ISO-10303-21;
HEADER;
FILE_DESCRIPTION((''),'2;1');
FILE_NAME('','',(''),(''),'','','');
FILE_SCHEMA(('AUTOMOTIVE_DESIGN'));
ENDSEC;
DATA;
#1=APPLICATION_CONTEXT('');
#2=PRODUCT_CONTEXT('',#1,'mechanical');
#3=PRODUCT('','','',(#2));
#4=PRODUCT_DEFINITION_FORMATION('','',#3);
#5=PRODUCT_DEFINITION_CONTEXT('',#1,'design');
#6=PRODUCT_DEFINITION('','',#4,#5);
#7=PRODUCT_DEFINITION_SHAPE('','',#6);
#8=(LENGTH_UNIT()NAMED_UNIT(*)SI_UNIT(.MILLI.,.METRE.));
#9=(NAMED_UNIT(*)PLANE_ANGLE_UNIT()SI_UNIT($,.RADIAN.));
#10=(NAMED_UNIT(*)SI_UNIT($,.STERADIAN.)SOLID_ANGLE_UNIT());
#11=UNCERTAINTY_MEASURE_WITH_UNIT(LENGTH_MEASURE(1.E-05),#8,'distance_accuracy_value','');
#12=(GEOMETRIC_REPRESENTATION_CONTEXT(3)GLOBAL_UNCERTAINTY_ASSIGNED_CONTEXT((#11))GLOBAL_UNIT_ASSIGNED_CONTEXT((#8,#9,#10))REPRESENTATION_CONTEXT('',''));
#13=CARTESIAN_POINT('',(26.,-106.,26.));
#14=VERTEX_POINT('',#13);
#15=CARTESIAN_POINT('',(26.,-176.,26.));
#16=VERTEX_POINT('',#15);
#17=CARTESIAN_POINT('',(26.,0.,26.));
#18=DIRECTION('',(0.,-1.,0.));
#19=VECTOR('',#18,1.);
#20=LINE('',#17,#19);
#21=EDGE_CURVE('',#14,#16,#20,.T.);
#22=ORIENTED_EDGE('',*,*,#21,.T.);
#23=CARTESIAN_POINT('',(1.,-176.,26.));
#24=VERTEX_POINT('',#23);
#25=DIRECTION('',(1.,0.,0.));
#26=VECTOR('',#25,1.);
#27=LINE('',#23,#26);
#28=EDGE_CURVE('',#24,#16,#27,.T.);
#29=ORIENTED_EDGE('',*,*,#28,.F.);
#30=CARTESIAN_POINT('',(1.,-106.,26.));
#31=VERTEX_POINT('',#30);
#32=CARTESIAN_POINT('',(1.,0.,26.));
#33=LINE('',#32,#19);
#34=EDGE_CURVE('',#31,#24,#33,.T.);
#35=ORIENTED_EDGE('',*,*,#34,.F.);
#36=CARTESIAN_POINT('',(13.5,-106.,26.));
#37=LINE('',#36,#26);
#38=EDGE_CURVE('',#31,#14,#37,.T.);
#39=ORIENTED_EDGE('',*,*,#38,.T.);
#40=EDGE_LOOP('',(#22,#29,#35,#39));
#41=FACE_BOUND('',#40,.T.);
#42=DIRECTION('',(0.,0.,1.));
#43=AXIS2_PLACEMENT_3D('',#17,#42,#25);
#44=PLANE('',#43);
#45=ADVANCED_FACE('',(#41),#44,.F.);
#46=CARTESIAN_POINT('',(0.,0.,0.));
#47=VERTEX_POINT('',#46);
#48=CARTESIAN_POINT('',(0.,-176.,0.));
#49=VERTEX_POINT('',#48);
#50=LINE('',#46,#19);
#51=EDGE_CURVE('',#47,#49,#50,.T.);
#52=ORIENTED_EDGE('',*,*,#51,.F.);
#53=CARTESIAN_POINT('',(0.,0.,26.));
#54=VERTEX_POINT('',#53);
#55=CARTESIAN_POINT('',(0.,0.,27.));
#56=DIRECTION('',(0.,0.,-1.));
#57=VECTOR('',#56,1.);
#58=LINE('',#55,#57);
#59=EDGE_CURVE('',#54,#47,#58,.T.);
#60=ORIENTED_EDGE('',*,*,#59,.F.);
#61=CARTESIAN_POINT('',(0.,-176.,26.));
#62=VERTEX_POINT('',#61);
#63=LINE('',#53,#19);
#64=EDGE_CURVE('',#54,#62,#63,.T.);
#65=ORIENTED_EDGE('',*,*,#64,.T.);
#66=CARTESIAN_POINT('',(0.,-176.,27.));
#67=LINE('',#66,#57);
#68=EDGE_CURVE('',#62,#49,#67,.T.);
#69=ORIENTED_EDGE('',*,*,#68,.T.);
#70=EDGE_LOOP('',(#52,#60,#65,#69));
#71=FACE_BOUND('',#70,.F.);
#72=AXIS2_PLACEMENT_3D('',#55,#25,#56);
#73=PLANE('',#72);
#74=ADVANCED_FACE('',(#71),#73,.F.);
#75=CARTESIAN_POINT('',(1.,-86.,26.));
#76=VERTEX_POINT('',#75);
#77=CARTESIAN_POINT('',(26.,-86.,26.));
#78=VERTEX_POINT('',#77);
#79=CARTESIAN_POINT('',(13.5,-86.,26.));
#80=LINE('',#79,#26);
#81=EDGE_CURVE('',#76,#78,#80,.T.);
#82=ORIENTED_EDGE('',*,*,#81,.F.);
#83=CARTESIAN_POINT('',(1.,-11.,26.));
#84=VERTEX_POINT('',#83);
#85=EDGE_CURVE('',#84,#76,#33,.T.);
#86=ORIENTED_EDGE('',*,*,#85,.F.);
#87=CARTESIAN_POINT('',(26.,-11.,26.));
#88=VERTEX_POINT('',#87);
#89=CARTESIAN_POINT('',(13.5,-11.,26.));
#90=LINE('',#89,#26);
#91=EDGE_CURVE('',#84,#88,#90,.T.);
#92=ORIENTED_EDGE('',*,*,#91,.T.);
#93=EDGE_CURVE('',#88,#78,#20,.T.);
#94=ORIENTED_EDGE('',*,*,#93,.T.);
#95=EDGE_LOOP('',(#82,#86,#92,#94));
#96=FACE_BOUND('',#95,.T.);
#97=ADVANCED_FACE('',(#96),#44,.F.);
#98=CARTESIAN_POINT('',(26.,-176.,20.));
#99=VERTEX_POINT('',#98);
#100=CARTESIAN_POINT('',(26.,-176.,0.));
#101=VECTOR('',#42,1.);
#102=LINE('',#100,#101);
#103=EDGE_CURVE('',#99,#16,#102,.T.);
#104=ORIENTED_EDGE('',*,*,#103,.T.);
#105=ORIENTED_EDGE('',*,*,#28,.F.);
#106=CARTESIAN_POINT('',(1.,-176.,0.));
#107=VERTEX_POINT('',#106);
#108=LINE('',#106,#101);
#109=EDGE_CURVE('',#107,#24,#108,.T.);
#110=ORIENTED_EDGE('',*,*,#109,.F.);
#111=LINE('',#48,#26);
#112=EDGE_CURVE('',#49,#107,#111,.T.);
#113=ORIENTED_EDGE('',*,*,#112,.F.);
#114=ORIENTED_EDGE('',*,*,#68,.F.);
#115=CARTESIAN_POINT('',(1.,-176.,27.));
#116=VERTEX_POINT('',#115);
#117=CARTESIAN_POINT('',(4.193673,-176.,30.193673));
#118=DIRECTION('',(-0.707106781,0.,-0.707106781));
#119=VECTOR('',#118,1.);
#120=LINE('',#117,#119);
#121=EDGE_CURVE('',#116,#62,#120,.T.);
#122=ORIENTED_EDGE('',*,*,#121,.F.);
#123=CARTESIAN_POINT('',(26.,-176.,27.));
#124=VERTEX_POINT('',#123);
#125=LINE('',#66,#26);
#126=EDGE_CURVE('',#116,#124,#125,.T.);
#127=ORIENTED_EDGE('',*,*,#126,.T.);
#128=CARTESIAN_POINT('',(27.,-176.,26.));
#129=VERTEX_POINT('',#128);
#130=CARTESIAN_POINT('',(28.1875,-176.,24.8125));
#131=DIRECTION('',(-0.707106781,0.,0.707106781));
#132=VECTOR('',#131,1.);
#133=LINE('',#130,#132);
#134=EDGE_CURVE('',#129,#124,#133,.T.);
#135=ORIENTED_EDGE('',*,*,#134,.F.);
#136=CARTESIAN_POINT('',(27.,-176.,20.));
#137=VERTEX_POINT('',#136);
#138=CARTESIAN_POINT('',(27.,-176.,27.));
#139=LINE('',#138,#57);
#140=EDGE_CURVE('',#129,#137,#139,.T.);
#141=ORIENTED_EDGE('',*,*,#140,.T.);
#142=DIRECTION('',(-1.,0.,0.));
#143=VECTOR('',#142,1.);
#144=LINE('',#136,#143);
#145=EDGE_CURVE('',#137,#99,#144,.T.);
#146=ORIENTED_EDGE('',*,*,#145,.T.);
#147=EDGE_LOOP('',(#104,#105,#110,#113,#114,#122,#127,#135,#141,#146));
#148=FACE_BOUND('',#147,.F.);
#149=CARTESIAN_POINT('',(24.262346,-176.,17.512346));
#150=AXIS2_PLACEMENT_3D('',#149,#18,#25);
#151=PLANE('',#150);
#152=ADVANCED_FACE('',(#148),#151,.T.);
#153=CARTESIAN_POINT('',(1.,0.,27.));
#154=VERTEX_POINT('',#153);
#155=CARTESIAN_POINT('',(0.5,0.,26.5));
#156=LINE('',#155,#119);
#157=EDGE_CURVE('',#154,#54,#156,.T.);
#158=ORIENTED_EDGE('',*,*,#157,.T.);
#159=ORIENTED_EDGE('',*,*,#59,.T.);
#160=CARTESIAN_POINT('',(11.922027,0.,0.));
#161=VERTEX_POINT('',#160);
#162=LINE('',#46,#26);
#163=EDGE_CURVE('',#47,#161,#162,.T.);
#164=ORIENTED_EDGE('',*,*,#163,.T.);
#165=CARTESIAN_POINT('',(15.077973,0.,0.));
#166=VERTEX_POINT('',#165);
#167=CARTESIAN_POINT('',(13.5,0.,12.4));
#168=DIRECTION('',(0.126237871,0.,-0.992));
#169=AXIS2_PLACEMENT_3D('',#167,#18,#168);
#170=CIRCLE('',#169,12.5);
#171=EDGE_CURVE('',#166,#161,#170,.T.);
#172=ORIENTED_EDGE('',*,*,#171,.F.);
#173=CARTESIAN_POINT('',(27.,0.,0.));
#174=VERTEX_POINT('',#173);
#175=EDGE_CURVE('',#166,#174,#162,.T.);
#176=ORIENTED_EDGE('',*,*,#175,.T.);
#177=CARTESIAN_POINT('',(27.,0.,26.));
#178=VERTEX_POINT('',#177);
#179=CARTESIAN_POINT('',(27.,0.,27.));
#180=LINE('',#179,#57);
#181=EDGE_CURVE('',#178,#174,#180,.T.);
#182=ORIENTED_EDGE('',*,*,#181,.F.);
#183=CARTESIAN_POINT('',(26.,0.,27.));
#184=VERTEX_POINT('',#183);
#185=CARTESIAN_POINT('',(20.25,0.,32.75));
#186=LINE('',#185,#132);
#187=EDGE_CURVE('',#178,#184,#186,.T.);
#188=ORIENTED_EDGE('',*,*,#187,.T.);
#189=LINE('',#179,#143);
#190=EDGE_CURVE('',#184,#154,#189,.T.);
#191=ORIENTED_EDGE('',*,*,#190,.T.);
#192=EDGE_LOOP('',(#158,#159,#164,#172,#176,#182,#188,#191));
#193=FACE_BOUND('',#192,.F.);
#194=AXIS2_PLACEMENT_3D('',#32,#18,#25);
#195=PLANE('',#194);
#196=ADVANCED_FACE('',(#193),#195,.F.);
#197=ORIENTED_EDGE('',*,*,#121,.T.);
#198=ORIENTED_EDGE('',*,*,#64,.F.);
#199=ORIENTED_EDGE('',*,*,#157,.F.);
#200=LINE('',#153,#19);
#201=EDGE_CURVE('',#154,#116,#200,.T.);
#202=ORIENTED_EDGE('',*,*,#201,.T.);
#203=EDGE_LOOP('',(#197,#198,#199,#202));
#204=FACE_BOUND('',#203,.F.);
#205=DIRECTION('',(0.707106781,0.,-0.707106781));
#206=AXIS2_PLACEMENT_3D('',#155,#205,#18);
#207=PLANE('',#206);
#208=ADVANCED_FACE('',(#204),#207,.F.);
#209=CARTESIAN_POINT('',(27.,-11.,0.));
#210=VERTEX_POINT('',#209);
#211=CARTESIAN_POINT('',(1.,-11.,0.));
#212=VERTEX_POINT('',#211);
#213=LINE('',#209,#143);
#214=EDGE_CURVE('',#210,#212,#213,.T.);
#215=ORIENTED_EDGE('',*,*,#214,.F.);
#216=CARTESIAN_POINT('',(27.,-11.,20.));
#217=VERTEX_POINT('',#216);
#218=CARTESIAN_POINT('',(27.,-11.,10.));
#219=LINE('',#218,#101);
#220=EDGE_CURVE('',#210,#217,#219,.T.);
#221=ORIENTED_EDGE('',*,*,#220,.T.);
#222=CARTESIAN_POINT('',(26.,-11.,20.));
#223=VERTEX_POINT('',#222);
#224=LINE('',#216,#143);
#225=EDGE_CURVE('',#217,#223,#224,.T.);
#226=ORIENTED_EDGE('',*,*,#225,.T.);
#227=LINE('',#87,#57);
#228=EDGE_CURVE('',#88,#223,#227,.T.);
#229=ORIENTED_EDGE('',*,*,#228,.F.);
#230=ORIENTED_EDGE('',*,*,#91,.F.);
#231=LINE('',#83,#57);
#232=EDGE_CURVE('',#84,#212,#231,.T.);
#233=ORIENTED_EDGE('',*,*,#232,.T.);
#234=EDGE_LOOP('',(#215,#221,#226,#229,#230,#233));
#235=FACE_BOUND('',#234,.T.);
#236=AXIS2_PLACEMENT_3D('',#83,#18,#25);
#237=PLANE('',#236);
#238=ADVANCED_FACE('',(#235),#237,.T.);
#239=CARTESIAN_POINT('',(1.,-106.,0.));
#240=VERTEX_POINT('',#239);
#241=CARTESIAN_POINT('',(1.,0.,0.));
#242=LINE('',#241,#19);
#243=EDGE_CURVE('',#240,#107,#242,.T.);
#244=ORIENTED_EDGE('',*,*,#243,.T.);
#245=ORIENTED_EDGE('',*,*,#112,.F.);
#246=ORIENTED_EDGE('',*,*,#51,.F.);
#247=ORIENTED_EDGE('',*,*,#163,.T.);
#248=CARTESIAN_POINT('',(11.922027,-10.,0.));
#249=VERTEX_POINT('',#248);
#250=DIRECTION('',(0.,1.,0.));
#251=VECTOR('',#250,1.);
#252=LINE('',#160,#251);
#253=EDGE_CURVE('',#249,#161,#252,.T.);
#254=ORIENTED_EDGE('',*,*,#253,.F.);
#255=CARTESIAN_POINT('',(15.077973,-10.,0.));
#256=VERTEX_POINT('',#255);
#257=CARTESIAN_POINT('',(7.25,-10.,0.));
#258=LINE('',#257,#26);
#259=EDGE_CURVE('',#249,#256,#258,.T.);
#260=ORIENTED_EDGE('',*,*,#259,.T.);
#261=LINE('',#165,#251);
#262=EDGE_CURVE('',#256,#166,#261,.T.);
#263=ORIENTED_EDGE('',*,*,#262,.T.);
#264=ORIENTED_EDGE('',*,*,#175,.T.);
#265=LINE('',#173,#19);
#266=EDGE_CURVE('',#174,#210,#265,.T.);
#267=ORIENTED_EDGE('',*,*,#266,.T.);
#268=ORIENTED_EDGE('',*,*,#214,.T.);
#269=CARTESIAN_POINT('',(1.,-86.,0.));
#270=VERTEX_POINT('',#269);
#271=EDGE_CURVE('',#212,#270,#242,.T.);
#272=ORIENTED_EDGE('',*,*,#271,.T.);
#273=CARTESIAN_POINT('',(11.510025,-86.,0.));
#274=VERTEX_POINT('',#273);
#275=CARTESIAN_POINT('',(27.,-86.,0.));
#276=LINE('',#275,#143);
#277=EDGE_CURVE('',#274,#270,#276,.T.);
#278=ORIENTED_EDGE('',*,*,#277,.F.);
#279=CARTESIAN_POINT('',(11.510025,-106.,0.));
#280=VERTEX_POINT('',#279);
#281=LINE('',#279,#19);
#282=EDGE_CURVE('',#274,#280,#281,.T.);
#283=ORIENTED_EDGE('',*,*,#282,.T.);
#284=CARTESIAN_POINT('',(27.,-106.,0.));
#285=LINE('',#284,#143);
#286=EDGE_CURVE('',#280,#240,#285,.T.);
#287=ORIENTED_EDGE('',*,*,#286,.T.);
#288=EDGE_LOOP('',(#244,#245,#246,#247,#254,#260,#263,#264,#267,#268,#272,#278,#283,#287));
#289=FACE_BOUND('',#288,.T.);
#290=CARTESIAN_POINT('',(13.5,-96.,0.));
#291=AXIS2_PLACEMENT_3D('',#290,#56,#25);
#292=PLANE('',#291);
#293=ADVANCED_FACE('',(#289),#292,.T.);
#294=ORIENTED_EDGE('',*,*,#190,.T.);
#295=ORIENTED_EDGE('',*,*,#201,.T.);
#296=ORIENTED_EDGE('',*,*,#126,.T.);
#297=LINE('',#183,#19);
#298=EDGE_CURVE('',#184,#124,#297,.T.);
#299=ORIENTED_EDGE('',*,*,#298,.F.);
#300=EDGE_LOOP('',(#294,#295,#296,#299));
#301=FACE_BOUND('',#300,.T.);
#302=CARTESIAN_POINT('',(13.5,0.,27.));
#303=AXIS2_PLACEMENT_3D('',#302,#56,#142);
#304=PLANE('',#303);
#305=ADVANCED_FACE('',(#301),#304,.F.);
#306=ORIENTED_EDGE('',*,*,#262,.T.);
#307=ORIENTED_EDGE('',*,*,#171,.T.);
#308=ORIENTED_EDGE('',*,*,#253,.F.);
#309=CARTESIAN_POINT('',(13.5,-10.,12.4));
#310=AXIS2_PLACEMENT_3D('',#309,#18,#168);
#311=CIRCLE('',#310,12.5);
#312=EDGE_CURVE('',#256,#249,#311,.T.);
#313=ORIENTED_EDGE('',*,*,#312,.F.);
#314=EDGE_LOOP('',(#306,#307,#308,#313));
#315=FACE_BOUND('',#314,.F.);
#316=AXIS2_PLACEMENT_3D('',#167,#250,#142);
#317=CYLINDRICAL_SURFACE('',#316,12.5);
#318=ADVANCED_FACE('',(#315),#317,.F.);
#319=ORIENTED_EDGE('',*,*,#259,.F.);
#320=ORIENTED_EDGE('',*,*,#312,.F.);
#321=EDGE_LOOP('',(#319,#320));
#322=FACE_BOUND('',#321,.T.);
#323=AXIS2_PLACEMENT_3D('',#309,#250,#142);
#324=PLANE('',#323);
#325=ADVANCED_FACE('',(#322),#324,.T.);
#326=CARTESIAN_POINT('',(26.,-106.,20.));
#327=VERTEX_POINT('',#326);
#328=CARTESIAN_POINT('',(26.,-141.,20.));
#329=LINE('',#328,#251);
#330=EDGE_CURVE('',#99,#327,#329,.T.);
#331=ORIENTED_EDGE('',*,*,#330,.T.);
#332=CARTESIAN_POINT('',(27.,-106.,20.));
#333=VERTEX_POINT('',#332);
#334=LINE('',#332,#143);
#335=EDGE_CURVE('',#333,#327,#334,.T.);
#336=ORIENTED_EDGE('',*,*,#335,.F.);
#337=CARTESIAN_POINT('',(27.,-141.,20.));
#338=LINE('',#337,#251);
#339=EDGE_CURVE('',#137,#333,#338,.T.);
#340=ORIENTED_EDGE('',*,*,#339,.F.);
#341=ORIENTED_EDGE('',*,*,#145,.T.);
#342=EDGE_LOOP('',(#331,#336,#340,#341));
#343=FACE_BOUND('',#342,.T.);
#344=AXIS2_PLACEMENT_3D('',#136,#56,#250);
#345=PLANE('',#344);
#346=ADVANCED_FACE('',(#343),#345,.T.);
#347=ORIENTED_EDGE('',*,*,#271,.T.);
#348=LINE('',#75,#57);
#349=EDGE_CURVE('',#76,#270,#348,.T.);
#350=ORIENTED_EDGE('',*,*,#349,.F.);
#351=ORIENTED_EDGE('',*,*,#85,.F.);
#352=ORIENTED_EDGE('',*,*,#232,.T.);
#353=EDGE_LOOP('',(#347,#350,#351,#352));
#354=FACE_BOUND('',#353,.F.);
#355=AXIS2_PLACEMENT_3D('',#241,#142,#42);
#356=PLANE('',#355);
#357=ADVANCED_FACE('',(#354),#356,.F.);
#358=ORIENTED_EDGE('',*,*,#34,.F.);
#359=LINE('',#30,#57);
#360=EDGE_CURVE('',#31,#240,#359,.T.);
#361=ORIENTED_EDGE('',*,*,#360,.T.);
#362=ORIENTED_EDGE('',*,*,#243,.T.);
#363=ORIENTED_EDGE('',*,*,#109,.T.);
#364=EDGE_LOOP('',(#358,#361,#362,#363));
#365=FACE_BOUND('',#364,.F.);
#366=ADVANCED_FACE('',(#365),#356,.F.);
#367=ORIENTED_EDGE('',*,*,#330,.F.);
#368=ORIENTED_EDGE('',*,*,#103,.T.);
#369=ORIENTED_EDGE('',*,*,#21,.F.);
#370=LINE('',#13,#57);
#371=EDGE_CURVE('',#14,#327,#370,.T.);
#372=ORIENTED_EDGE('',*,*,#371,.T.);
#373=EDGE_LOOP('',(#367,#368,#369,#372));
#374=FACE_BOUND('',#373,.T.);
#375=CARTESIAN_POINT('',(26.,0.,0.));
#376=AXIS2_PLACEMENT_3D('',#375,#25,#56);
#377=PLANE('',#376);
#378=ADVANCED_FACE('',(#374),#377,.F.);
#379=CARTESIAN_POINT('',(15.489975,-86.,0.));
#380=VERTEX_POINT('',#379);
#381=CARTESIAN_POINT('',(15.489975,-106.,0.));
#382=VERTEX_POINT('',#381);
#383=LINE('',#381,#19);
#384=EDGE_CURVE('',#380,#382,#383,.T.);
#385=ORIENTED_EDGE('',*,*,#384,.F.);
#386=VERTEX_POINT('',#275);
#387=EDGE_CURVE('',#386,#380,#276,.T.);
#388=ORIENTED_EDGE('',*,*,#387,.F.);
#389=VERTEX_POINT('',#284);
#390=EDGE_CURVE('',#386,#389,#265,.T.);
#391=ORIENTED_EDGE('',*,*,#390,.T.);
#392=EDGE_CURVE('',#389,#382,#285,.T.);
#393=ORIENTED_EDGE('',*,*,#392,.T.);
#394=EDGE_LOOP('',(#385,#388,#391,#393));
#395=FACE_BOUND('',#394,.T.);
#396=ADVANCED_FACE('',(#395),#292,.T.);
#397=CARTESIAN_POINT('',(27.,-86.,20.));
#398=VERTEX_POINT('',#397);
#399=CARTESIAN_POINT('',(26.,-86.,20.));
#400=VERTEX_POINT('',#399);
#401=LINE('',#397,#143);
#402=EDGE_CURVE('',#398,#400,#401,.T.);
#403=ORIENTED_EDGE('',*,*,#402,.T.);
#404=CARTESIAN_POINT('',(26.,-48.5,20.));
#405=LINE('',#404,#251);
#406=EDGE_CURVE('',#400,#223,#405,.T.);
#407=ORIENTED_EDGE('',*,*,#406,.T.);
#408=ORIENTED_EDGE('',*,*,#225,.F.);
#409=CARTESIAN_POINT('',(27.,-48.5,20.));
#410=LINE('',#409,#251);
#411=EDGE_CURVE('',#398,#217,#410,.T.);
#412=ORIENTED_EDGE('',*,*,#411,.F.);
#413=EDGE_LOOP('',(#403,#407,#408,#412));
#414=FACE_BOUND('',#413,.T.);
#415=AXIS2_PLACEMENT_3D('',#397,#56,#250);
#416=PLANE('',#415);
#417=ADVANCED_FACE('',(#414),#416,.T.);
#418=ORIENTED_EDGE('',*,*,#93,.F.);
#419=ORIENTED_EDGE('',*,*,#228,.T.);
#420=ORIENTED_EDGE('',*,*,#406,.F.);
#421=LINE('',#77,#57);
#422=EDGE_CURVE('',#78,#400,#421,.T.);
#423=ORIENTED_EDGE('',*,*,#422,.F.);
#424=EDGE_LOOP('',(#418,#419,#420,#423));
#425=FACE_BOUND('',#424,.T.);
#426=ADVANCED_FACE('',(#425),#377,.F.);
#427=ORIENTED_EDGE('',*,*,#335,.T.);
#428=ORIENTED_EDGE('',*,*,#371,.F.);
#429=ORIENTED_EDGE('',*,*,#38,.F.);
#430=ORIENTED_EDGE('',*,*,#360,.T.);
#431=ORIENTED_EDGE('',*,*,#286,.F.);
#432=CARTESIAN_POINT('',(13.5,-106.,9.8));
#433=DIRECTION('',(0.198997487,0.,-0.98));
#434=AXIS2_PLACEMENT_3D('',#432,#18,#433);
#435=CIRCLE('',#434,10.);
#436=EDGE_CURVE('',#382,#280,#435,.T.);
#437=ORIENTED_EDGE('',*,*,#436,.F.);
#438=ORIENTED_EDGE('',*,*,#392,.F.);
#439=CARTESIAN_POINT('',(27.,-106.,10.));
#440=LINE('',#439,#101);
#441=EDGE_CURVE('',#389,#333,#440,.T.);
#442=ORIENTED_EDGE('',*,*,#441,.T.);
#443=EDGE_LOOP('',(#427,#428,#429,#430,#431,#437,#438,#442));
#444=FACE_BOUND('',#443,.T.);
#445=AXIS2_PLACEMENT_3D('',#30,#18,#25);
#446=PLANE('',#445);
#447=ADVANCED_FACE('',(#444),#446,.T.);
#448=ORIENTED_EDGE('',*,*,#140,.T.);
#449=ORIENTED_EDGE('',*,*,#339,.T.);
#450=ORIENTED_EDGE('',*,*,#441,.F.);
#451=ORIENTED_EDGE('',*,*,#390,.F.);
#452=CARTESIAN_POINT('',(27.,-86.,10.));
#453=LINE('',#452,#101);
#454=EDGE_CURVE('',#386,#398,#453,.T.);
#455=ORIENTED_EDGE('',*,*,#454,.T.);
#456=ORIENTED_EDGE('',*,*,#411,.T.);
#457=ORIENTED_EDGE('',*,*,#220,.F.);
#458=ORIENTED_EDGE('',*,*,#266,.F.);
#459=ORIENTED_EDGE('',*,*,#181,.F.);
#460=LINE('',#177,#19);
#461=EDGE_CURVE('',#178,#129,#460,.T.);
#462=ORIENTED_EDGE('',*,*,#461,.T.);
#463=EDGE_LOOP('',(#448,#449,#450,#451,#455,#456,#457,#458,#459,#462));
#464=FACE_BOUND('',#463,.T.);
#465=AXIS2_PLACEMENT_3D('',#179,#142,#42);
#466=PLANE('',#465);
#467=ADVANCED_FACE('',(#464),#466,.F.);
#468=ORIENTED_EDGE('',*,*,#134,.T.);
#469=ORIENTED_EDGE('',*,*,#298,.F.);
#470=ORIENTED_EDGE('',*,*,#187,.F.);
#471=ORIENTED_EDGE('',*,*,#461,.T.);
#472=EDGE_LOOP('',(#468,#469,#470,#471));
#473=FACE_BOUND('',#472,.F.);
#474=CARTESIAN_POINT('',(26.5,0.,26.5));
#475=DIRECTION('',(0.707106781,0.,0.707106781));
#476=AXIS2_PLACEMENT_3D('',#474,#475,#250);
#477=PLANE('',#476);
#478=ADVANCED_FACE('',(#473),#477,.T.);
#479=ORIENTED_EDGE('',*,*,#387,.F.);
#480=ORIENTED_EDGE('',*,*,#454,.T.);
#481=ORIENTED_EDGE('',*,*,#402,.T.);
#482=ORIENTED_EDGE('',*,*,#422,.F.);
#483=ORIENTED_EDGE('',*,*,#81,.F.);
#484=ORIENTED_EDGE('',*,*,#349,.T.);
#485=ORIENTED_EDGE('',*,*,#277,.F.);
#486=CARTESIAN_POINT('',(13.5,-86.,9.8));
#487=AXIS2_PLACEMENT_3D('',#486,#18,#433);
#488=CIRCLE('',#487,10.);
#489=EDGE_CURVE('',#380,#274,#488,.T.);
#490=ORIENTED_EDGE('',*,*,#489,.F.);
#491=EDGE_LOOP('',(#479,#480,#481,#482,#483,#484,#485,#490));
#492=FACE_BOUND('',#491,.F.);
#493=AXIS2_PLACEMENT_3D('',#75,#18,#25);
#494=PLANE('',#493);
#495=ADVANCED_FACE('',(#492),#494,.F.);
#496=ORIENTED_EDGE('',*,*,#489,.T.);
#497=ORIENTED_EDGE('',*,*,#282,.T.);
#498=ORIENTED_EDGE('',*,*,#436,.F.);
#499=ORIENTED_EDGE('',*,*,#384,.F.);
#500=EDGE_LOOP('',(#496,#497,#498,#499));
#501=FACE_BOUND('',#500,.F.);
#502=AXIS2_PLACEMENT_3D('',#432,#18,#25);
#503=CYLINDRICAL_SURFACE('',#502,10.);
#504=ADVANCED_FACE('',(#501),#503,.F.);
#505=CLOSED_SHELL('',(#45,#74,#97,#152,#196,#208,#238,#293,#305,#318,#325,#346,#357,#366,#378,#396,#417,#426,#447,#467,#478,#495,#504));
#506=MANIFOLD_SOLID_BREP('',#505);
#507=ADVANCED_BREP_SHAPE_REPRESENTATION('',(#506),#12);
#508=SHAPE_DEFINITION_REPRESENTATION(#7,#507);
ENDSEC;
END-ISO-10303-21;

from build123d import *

# Parameters (mm, degrees)
F1_DEPTH  = 176
F3_W      = 25
F3_H      = 1
F4_DEPTH  = 26
F5_DEPTH  = 10
F6_R      = 12.5
F7_DEPTH  = 10
F8_W      = 75
F8_H      = 20
F8_W_2    = 70
F9_DEPTH  = 1
F10_W     = 25
F10_H     = 20
F11_DEPTH = 26
F12_R     = 10
F13_DEPTH = 20
F14_SIZE  = 1


with BuildPart() as f1:
    # F0 (on Front) → F1 (new body)
    with BuildSketch(Plane.XZ):
        Polygon((0, 27), (0, 0), (1, 0), (1, 26), (13.5, 26), (13.5, 27), align=None)
    extrude(amount=F1_DEPTH)

    # F2: F1 across face


with BuildPart() as f1_1:
    add(f1.part)
    add(f1.part.mirror(Plane(origin=(13.5, -88, 26.5), x_dir=(0, 1, 0), z_dir=(1, 0, 0))))

    # F3 (on face) → F4 (join)
    with BuildSketch(Plane(origin=(0, 0, 26), x_dir=(1, 0, 0), z_dir=(0, 0, -1))):
        with Locations((13.5, 10.5)):
            Rectangle(F3_W, F3_H)
    extrude(amount=F4_DEPTH)

    # F5 (add, through all): a face of the model
    f5_faces = [f1_1.faces().sort_by_distance(p)[0] for p in [
        (13.5, -10, 13),
    ]]
    extrude(f5_faces, amount=F5_DEPTH)

    # F6 (on face) → F7 (cut)
    with BuildSketch(Plane(origin=(0, 0, 0), x_dir=(-1, 0, 0), z_dir=(0, 1, 0))):
        with Locations((-13.5, 12.4)):
            Circle(F6_R)
    extrude(amount=-F7_DEPTH, mode=Mode.SUBTRACT)

    # F8 (on face) → F9 (cut, through all)
    with BuildSketch(Plane.YZ.offset(27)):
        with Locations((-48.5, 10)):
            Rectangle(F8_W, F8_H)
        with Locations((-141, 10)):
            Rectangle(F8_W_2, F8_H)
    extrude(amount=-F9_DEPTH, mode=Mode.SUBTRACT)

    # F10 (on face) → F11 (join, through all)
    with BuildSketch(Plane(origin=(0, 0, 26), x_dir=(1, 0, 0), z_dir=(0, 0, -1))):
        with Locations((13.5, 96)):
            Rectangle(F10_W, F10_H)
    extrude(amount=F11_DEPTH)

    # F12 (on face) → F13 (cut, through all)
    with BuildSketch(Plane.XZ.offset(106)):
        with Locations((13.5, 9.8)):
            Circle(F12_R)
    extrude(amount=-F13_DEPTH, mode=Mode.SUBTRACT)

    # F14
    f14_edges = [f1_1.edges().sort_by_distance(p)[0] for p in [
        (27, -88, 27),
        (0, -88, 27),
    ]]
    chamfer(f14_edges, length=F14_SIZE)


solid = f1_1.part
